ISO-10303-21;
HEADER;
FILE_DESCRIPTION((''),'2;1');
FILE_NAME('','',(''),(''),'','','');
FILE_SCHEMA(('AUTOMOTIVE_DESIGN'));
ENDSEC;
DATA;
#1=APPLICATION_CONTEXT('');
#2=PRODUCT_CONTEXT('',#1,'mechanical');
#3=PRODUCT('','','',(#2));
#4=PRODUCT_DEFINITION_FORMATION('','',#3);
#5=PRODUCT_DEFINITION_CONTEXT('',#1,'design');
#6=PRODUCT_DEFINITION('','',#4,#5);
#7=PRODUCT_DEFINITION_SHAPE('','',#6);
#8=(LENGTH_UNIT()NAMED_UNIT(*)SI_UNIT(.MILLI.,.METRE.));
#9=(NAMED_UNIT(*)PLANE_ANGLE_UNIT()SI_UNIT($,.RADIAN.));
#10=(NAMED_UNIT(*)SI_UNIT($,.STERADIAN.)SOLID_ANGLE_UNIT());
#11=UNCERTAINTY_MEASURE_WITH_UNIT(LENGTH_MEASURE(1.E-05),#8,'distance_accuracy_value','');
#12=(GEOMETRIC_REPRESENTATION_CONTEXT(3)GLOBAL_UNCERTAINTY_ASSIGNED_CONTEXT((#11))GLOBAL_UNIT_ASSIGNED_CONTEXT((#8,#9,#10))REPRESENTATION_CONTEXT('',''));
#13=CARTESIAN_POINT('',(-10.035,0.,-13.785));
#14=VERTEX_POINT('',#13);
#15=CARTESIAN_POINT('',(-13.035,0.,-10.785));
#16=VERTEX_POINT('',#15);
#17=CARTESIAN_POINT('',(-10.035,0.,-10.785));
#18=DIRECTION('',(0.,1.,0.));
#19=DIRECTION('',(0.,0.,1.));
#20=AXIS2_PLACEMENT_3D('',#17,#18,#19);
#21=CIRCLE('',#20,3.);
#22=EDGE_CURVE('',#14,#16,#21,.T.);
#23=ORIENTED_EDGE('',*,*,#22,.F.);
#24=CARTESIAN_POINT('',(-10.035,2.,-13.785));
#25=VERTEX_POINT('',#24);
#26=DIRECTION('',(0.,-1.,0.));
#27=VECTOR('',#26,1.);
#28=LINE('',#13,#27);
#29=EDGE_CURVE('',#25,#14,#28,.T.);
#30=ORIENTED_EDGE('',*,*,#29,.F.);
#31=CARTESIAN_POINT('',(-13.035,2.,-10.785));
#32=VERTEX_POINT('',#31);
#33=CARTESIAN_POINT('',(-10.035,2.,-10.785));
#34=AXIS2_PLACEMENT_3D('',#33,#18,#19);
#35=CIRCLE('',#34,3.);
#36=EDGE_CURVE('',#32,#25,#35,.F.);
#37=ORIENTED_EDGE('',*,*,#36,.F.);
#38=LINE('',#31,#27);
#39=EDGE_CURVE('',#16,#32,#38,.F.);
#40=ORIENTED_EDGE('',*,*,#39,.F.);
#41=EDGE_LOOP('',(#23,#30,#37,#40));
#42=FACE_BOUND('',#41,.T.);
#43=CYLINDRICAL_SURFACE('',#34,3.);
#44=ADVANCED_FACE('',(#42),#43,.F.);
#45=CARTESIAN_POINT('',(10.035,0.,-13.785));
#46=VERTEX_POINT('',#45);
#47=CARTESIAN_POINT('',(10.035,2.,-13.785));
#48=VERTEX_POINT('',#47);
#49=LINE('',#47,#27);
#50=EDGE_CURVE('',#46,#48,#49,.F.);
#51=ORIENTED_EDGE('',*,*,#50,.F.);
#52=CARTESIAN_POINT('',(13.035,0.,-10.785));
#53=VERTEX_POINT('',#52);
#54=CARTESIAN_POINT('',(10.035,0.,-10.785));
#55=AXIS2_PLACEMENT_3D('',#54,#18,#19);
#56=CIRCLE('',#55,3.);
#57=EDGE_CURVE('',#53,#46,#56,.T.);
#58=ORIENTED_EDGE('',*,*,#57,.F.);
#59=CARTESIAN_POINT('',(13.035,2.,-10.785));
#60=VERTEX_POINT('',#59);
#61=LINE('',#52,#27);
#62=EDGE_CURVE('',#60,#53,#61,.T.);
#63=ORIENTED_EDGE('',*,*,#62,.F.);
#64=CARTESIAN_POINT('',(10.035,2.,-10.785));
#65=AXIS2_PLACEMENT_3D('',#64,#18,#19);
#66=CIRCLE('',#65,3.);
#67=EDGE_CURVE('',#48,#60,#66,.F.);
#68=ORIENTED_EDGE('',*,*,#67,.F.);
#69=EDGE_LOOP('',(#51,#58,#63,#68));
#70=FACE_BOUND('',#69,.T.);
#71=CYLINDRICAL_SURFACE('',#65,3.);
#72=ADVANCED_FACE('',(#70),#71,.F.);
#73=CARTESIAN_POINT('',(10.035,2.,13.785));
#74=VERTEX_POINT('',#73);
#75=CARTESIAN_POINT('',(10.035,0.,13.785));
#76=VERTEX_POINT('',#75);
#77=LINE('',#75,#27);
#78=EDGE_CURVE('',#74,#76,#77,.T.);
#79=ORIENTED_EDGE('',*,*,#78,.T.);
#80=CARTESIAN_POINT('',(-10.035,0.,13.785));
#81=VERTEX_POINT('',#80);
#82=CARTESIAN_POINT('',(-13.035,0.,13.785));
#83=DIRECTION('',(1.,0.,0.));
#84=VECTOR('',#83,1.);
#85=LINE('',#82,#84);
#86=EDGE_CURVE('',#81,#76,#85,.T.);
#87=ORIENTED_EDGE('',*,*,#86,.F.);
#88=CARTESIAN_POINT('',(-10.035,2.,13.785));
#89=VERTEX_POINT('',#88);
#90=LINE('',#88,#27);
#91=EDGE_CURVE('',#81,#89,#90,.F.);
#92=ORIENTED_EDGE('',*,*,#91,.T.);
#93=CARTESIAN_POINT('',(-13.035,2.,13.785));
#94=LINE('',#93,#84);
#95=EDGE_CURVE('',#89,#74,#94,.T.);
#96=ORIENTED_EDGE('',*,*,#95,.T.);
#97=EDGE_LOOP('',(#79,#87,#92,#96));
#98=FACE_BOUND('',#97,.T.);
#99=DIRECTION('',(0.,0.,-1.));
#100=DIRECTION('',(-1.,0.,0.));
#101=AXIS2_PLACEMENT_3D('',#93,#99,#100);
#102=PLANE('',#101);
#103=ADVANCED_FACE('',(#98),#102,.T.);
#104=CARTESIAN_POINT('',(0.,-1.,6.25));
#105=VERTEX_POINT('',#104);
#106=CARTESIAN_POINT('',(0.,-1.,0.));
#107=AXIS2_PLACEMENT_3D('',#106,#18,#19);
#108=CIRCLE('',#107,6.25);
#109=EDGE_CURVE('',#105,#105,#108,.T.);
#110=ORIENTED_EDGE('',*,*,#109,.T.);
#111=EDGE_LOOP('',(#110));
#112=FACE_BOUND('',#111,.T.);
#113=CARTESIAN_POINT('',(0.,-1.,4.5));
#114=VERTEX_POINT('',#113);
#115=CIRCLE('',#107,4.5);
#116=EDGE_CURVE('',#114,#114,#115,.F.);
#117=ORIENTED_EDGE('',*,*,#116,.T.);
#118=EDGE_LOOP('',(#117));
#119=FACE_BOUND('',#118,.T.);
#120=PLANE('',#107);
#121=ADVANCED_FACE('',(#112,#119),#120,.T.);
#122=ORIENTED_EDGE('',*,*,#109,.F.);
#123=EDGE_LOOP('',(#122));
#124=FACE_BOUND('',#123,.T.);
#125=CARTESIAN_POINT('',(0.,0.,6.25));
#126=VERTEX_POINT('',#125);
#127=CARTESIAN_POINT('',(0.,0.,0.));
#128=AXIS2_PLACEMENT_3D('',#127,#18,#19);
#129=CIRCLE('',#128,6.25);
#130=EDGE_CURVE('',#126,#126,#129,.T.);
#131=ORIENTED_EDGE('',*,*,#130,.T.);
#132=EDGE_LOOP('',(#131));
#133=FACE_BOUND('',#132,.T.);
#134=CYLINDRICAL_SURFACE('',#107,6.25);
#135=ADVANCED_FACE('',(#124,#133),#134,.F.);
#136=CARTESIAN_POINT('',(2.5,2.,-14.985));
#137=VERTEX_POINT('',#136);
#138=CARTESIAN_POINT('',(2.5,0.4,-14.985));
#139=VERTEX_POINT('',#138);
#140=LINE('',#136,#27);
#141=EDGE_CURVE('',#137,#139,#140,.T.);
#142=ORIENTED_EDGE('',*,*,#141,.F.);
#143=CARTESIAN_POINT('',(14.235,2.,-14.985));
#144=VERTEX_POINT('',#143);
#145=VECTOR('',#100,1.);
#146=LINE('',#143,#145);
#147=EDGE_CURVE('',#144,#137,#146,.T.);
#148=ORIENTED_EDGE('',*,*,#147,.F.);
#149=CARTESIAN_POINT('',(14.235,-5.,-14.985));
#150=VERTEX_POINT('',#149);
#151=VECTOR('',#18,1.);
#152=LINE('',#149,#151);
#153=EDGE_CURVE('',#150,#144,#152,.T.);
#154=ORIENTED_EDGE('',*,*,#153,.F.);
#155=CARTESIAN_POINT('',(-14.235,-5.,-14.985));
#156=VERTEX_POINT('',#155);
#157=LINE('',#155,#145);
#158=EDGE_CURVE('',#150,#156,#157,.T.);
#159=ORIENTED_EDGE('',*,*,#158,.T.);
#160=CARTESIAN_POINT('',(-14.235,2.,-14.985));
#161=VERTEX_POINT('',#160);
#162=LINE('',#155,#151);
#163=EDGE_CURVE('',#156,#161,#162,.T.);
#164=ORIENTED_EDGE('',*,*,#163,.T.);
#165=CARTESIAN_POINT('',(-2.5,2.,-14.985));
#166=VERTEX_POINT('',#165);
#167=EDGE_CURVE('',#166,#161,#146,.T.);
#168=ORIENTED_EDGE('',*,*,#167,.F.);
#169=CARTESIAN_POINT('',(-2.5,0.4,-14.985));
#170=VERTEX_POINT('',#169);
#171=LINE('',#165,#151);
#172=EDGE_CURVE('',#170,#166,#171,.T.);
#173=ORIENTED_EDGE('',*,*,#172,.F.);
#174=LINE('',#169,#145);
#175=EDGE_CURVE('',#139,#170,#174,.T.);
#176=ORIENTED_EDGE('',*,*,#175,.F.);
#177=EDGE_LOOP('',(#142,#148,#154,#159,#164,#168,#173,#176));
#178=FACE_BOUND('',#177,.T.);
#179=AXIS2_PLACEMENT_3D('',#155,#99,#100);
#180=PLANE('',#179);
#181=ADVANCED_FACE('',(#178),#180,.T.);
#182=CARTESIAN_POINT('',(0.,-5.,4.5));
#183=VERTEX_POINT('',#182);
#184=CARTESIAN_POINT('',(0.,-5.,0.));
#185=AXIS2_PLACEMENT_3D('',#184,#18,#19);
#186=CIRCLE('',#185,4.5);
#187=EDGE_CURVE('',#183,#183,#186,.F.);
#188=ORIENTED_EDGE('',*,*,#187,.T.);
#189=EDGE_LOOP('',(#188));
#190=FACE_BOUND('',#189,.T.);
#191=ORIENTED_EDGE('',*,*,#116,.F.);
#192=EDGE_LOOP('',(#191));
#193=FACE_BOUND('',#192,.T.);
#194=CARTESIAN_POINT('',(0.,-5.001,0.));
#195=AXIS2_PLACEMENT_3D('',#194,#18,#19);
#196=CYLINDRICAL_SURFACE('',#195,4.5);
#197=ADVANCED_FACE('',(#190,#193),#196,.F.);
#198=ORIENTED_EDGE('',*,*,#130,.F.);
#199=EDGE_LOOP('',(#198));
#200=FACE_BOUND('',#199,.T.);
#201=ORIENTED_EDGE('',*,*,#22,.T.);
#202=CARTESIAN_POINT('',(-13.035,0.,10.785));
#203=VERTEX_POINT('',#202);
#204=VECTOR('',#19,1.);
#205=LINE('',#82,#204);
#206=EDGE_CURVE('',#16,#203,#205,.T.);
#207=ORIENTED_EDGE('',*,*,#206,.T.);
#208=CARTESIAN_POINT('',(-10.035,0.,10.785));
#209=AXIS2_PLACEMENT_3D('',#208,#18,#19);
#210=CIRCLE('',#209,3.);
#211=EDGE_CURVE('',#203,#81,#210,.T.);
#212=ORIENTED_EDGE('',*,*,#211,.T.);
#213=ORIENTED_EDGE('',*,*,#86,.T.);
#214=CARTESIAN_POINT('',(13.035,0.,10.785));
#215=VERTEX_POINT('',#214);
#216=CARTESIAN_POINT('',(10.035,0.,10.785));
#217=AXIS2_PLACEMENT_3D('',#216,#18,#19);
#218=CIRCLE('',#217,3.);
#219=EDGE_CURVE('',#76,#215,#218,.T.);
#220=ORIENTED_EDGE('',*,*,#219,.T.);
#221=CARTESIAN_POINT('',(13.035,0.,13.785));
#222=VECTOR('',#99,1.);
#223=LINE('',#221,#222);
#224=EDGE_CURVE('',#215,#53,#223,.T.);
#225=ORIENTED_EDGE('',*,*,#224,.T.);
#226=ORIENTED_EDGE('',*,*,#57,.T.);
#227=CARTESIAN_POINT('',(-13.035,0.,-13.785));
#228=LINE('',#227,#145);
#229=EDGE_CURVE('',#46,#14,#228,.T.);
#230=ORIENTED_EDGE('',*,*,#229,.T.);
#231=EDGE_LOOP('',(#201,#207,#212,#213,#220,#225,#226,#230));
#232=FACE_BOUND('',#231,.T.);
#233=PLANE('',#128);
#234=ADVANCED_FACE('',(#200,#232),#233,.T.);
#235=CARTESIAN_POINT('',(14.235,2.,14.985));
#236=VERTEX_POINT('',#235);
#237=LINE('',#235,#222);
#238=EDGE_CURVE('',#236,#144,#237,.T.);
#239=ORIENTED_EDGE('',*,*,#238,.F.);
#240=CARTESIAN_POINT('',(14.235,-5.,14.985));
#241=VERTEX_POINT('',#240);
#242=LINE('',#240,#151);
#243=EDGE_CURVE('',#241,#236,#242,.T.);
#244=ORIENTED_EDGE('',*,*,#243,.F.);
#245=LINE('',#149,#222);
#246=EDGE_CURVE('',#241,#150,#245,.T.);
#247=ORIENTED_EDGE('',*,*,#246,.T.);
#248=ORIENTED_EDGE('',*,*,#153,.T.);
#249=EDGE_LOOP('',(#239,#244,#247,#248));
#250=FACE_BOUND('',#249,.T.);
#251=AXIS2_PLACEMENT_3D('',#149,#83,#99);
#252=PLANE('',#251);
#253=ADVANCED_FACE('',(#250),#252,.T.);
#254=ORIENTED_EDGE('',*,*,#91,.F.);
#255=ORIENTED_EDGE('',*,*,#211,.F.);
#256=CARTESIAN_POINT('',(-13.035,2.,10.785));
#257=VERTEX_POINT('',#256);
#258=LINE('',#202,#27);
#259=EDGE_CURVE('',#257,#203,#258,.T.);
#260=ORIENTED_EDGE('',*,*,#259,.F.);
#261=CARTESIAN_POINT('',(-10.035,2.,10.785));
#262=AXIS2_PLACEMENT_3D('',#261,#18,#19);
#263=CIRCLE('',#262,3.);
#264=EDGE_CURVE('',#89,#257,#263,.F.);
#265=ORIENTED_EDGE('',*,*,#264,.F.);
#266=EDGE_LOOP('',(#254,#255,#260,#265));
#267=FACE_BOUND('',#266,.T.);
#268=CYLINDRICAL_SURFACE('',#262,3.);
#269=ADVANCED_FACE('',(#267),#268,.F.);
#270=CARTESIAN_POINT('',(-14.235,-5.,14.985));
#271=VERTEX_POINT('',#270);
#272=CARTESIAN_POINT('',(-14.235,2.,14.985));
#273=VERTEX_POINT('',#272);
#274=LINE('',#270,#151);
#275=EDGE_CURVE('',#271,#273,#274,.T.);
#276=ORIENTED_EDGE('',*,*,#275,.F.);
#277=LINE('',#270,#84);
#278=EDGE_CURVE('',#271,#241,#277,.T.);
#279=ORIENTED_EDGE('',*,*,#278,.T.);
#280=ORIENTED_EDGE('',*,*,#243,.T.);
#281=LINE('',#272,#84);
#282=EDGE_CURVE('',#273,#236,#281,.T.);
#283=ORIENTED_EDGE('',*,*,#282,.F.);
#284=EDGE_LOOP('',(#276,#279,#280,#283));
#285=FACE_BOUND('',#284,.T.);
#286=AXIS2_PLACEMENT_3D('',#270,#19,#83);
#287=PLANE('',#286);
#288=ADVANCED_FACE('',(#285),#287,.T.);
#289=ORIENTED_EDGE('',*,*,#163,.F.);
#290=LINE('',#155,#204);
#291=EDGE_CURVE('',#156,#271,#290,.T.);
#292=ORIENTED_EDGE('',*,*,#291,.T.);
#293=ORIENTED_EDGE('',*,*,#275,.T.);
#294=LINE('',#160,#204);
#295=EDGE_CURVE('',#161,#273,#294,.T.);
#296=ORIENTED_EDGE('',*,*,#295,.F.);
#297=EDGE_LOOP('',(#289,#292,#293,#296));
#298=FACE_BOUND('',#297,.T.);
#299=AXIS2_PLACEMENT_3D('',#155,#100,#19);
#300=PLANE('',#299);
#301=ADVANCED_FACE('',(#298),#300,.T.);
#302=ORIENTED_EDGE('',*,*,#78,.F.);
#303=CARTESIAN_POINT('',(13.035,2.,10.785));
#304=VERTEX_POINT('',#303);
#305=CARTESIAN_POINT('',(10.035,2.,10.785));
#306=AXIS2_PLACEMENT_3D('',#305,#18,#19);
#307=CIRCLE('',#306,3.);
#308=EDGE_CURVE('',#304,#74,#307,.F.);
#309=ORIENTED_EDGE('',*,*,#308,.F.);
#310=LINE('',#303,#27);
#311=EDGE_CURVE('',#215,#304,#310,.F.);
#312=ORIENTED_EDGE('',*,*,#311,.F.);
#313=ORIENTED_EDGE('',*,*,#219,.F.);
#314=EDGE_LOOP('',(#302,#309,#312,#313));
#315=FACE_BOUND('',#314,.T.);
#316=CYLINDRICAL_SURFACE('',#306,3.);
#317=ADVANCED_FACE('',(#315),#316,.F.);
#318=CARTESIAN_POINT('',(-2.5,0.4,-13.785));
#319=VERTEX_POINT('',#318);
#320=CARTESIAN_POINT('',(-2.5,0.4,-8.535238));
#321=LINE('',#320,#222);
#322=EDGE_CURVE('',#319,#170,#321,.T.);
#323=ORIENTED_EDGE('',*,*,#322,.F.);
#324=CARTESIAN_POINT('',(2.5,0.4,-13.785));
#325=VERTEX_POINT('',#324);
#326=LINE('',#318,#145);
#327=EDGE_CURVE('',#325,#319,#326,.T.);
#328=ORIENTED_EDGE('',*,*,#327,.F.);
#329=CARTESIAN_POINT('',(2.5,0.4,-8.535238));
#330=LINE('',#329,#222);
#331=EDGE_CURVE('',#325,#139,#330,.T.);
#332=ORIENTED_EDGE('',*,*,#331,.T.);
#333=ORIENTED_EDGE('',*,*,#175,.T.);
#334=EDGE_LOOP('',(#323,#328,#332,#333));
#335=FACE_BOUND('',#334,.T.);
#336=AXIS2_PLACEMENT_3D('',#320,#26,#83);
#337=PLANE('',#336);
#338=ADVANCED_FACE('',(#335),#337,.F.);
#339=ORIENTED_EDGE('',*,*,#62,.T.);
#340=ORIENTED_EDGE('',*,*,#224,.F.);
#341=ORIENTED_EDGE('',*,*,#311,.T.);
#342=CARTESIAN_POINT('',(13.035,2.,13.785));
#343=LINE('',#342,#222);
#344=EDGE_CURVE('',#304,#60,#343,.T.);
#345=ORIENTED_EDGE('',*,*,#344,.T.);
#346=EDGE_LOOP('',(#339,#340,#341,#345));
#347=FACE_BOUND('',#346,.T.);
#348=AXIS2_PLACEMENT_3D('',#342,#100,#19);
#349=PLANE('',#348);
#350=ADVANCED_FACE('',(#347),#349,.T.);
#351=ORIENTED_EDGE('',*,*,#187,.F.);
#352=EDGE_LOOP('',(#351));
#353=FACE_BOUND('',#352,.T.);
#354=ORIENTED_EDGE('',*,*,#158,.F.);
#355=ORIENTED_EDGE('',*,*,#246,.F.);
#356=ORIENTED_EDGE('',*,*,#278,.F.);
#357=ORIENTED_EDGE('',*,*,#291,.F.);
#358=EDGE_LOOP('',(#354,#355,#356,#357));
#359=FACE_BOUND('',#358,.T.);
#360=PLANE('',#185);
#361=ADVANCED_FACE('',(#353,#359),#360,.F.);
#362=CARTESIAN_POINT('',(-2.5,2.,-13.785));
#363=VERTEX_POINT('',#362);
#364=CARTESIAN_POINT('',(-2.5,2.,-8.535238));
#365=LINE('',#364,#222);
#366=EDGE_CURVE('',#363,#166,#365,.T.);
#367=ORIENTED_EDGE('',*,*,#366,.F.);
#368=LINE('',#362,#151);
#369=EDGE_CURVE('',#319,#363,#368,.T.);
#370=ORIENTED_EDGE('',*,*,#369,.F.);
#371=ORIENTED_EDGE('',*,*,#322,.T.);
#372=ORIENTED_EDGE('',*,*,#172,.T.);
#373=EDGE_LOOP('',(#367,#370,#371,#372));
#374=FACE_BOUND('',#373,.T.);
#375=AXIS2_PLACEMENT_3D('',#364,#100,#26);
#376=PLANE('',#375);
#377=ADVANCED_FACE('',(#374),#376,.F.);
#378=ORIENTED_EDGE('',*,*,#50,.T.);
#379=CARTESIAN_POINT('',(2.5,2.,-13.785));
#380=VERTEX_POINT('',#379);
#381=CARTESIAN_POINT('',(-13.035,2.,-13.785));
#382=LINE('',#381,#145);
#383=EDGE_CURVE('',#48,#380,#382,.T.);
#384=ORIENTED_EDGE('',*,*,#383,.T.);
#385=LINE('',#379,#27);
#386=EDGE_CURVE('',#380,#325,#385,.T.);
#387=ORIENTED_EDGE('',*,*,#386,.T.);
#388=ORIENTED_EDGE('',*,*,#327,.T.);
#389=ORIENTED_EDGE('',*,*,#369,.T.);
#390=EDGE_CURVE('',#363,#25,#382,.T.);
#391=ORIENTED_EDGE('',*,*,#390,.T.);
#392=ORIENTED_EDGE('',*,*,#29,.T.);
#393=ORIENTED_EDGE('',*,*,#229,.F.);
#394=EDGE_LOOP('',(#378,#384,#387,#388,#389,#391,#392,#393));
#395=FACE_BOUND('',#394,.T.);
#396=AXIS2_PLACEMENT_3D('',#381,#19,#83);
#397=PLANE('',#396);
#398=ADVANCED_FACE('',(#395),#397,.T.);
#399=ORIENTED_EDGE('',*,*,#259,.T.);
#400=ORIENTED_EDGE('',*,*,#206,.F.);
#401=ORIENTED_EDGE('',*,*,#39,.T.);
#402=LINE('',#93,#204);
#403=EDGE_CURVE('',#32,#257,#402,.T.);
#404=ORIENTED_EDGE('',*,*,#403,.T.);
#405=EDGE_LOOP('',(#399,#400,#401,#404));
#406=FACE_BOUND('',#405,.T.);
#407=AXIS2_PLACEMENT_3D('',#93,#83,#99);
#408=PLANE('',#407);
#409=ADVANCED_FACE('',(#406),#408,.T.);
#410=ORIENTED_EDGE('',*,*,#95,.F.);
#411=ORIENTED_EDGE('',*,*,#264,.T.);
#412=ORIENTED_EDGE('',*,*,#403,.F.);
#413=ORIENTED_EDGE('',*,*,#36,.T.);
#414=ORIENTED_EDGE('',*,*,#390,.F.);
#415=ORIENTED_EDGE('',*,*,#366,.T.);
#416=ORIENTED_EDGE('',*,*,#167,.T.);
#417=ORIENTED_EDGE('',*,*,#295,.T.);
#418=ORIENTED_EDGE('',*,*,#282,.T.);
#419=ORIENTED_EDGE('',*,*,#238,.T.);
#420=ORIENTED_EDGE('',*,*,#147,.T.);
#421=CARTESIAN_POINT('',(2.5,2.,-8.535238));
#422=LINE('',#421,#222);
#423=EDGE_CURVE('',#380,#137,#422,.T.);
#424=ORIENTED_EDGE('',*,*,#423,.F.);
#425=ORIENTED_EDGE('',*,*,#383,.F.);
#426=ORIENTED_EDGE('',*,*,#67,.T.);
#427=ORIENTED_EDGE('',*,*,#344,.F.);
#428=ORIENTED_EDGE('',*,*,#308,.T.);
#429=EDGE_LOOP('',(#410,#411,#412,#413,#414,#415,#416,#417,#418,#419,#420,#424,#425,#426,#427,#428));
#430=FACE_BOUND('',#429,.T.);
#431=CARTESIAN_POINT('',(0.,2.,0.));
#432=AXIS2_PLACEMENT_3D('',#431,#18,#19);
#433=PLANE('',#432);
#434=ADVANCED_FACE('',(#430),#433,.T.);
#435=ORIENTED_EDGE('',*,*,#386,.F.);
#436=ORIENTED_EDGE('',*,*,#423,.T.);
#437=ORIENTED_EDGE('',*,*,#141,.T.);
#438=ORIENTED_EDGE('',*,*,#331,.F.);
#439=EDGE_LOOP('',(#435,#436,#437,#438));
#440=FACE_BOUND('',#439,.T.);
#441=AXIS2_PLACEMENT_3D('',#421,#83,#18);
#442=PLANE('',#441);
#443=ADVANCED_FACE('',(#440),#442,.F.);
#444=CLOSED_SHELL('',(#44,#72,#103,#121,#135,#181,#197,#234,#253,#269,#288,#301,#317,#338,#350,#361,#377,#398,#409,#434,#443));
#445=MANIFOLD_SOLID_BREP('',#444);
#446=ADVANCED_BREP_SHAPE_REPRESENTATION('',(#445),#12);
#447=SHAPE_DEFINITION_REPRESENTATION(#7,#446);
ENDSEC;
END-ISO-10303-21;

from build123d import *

# Parameters (mm, degrees)
SKETCH1_W           = 28.47
SKETCH1_H           = 29.97
BOSS_EXTRUDE1_DEPTH = 5
CUT_EXTRUDE1_REACH  = 7
SKETCH2_R           = 4.5
SKETCH4_W           = 28.47
SKETCH4_H           = 29.97
SKETCH4_W_2         = 26.07
SKETCH4_H_2         = 27.57
BOSS_EXTRUDE2_DEPTH = 2
SKETCH7_R           = 6.25
CUT_EXTRUDE5_DEPTH  = 1
FILLET1_R           = 3
SKETCH8_W           = 5
SKETCH8_H           = 1.6
CUT_EXTRUDE6_DEPTH  = 1.2


with BuildPart() as part:
    # Sketch1 → Boss-Extrude1 (new body)
    with BuildSketch(Plane(origin=(0, 0, 0), x_dir=(1, 0, 0), z_dir=(0, 1, 0))):
        Rectangle(SKETCH1_W, SKETCH1_H)
    extrude(amount=-BOSS_EXTRUDE1_DEPTH)

    # Sketch2 → Cut-Extrude1 (cut, up to next)
    with BuildSketch(Plane(origin=(0, 0, 0), x_dir=(1, 0, 0), z_dir=(0, 1, 0)), mode=Mode.PRIVATE) as cut_extrude1_sk1:
        Circle(SKETCH2_R)
    cut_extrude1_tool1 = extrude(cut_extrude1_sk1.sketch, amount=-CUT_EXTRUDE1_REACH, mode=Mode.PRIVATE) & part.part
    add(cut_extrude1_tool1.solids().sort_by_distance((0, 0, 0))[0], mode=Mode.SUBTRACT)

    # Sketch4 → Boss-Extrude2 (add)
    with BuildSketch(Plane(origin=(0, 0, 0), x_dir=(1, 0, 0), z_dir=(0, 1, 0))):
        Rectangle(SKETCH4_W, SKETCH4_H)
        Rectangle(SKETCH4_W_2, SKETCH4_H_2, mode=Mode.SUBTRACT)
    extrude(amount=BOSS_EXTRUDE2_DEPTH)

    # Sketch7 → Cut-Extrude5 (cut)
    with BuildSketch(Plane(origin=(0, 0, 0), x_dir=(1, 0, 0), z_dir=(0, 1, 0))):
        Circle(SKETCH7_R)
    extrude(amount=-CUT_EXTRUDE5_DEPTH, mode=Mode.SUBTRACT)

    # Fillet1
    fillet1_edges = [part.edges().sort_by_distance(p)[0] for p in [
        (13.035, 1, -13.785),
        (-13.035, 1, -13.785),
        (-13.035, 1, 13.785),
        (13.035, 1, 13.785),
    ]]
    fillet(fillet1_edges, radius=FILLET1_R)

    # Sketch8 → Cut-Extrude6 (cut)
    with BuildSketch(Plane(origin=(0, 0, -14.985), x_dir=(-1, 0, 0), z_dir=(0, 0, -1))):
        with Locations((0, 1.2)):
            Rectangle(SKETCH8_W, SKETCH8_H)
    extrude(amount=-CUT_EXTRUDE6_DEPTH, mode=Mode.SUBTRACT)


solid = part.part
